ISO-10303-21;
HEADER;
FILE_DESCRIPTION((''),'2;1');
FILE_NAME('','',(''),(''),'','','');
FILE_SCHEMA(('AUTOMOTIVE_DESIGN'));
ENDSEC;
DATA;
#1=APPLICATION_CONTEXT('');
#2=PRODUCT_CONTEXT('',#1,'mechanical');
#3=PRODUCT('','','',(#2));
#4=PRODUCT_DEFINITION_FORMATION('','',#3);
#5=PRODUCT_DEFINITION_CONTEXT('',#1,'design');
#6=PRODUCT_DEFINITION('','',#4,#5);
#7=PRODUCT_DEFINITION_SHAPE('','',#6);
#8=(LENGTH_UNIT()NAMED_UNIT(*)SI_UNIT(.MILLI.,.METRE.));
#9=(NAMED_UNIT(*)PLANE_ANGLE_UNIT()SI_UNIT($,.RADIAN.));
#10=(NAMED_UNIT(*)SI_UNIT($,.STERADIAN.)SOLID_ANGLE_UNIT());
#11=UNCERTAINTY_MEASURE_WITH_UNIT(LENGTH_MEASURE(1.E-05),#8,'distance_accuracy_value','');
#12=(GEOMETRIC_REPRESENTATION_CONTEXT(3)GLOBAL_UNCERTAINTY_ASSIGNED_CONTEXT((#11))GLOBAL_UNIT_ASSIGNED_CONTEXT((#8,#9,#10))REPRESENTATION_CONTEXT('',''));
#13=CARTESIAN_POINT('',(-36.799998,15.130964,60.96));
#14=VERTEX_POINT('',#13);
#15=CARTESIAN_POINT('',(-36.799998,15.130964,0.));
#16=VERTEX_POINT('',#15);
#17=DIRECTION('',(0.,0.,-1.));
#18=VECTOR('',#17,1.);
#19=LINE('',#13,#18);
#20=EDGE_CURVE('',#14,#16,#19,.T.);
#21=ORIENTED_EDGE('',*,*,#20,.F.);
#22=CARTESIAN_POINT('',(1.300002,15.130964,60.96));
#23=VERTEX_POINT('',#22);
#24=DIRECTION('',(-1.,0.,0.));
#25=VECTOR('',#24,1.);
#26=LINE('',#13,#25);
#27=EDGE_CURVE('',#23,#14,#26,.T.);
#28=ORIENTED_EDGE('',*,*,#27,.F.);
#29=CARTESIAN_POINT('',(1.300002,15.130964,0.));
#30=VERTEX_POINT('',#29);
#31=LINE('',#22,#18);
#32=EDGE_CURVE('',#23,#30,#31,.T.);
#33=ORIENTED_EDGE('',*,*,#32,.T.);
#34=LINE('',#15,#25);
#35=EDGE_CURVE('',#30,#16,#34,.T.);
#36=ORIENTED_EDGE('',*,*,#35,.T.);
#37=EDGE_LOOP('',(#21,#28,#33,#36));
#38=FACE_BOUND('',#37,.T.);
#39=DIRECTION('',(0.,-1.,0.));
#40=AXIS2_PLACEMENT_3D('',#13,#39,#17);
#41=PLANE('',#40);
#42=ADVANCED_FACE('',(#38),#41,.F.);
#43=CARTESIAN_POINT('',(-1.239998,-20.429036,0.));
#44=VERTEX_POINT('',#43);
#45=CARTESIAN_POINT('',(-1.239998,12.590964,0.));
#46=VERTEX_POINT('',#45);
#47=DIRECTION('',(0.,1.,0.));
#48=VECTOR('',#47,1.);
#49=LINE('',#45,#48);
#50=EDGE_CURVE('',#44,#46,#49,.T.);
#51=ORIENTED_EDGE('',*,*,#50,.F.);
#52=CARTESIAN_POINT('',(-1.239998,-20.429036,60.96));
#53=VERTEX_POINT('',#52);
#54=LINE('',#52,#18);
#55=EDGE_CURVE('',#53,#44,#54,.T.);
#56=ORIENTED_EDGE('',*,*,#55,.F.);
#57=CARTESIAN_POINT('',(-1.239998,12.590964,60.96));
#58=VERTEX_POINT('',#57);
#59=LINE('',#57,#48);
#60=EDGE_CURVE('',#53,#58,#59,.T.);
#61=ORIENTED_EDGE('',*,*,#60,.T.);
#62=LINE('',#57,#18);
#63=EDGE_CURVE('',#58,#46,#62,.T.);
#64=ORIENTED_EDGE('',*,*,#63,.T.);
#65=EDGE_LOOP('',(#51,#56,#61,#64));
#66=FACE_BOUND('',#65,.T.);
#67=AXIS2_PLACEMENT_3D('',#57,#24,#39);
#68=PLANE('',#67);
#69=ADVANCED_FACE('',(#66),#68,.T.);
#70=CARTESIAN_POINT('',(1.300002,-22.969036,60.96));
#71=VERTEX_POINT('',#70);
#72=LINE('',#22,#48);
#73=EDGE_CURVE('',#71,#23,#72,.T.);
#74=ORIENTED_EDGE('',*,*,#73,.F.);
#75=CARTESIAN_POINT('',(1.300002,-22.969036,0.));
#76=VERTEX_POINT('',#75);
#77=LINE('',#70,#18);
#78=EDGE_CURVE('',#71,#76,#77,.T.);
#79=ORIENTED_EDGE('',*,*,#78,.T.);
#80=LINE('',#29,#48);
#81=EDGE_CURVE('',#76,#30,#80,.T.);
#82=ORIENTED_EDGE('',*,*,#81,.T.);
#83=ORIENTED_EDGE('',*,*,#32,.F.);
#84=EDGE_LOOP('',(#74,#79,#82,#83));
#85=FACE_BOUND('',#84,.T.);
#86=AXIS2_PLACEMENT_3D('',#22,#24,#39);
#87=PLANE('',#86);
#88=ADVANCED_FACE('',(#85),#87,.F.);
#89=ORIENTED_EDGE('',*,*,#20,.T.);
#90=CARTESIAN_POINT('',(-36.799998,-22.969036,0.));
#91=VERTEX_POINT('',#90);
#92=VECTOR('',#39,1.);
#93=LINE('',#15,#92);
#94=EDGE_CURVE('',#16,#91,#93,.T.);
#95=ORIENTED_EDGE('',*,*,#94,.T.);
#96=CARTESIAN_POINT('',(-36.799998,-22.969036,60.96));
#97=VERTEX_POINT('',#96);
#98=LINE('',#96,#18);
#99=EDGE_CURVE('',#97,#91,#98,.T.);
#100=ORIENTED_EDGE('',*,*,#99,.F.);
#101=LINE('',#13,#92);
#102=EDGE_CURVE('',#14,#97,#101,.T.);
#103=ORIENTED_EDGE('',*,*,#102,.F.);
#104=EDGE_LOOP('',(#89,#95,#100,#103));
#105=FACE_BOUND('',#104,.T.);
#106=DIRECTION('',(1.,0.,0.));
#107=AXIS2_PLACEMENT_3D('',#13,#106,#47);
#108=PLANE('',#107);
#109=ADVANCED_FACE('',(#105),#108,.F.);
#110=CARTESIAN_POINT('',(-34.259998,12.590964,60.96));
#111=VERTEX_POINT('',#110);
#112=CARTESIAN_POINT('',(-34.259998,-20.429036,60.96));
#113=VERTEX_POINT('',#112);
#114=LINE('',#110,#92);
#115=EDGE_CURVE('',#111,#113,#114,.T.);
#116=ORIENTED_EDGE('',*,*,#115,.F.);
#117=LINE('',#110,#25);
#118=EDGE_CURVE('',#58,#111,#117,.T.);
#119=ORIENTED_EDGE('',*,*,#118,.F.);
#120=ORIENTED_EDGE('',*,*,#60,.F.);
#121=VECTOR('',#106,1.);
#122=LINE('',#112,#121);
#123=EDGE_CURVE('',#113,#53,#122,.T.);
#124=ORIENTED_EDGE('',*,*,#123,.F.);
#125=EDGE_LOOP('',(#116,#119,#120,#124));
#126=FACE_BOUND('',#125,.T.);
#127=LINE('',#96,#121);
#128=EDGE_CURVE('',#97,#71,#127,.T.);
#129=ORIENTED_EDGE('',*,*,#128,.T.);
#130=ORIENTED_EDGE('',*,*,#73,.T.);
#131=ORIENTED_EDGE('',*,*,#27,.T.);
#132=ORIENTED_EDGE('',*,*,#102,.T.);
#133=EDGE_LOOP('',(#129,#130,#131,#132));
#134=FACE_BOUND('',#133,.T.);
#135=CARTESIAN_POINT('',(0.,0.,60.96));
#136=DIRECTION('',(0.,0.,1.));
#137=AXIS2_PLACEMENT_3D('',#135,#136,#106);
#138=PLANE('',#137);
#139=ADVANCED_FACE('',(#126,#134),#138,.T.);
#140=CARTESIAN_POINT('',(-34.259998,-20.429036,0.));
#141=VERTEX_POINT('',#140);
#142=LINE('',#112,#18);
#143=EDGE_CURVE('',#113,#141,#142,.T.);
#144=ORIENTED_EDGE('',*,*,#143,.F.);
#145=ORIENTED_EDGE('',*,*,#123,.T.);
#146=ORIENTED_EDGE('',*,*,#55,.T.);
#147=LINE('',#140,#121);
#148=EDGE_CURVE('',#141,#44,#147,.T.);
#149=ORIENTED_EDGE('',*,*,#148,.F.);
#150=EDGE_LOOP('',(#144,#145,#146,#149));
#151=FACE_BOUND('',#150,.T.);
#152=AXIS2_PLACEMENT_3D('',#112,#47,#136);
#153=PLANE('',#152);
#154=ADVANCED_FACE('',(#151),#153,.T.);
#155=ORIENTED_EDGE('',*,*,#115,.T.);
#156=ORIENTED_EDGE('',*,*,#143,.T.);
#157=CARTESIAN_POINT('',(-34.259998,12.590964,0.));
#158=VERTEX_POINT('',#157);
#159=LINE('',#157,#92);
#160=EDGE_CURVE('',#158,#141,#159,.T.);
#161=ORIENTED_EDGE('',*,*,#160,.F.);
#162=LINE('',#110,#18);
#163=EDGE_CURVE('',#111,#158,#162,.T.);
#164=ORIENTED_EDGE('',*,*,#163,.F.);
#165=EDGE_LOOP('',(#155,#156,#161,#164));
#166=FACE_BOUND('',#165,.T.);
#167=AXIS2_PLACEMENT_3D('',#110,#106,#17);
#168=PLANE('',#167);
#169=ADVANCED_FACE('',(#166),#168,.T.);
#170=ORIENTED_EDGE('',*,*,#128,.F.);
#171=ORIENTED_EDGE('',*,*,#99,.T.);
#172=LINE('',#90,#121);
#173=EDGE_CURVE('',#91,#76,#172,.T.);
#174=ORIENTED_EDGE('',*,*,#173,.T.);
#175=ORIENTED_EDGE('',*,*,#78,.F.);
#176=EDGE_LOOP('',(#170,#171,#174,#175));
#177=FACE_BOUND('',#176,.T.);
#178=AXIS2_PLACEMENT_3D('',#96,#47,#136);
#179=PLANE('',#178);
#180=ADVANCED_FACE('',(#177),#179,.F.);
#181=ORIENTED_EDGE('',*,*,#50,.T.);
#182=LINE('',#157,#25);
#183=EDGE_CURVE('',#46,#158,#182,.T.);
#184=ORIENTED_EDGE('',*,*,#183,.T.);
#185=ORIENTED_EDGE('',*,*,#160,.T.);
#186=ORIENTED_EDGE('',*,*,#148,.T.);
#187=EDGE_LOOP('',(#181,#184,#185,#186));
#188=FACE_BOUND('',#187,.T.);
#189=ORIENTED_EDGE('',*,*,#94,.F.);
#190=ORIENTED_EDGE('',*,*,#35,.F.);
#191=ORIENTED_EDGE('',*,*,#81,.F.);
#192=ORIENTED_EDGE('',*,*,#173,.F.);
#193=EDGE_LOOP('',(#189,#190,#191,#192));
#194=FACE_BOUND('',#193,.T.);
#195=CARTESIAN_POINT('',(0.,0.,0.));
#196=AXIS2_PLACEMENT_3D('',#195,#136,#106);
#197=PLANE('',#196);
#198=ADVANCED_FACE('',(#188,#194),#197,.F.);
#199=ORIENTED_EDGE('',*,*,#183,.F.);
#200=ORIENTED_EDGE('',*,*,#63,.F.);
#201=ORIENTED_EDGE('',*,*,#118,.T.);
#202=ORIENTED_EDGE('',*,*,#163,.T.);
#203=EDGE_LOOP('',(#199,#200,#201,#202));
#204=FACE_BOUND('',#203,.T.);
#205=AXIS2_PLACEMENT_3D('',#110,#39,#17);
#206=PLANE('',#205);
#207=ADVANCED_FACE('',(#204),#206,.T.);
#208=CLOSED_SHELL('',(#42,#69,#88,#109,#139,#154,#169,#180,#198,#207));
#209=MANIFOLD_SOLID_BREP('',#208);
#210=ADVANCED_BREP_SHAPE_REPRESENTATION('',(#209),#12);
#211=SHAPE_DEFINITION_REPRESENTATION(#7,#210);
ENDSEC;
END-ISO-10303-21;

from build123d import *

# Parameters (mm, degrees)
SKETCH1_W           = 38.1
SKETCH1_H           = 38.1
SKETCH1_W_2         = 33.02
SKETCH1_H_2         = 33.02
BOSS_EXTRUDE1_DEPTH = 60.96


with BuildPart() as part:
    # Sketch1 → Boss-Extrude1 (new body)
    with BuildSketch(Plane.XY):
        with Locations((-17.749998475, -3.91903616)):
            Rectangle(SKETCH1_W, SKETCH1_H)
        with Locations((-17.749998475, -3.91903616)):
            Rectangle(SKETCH1_W_2, SKETCH1_H_2, mode=Mode.SUBTRACT)
    extrude(amount=BOSS_EXTRUDE1_DEPTH)


solid = part.part
